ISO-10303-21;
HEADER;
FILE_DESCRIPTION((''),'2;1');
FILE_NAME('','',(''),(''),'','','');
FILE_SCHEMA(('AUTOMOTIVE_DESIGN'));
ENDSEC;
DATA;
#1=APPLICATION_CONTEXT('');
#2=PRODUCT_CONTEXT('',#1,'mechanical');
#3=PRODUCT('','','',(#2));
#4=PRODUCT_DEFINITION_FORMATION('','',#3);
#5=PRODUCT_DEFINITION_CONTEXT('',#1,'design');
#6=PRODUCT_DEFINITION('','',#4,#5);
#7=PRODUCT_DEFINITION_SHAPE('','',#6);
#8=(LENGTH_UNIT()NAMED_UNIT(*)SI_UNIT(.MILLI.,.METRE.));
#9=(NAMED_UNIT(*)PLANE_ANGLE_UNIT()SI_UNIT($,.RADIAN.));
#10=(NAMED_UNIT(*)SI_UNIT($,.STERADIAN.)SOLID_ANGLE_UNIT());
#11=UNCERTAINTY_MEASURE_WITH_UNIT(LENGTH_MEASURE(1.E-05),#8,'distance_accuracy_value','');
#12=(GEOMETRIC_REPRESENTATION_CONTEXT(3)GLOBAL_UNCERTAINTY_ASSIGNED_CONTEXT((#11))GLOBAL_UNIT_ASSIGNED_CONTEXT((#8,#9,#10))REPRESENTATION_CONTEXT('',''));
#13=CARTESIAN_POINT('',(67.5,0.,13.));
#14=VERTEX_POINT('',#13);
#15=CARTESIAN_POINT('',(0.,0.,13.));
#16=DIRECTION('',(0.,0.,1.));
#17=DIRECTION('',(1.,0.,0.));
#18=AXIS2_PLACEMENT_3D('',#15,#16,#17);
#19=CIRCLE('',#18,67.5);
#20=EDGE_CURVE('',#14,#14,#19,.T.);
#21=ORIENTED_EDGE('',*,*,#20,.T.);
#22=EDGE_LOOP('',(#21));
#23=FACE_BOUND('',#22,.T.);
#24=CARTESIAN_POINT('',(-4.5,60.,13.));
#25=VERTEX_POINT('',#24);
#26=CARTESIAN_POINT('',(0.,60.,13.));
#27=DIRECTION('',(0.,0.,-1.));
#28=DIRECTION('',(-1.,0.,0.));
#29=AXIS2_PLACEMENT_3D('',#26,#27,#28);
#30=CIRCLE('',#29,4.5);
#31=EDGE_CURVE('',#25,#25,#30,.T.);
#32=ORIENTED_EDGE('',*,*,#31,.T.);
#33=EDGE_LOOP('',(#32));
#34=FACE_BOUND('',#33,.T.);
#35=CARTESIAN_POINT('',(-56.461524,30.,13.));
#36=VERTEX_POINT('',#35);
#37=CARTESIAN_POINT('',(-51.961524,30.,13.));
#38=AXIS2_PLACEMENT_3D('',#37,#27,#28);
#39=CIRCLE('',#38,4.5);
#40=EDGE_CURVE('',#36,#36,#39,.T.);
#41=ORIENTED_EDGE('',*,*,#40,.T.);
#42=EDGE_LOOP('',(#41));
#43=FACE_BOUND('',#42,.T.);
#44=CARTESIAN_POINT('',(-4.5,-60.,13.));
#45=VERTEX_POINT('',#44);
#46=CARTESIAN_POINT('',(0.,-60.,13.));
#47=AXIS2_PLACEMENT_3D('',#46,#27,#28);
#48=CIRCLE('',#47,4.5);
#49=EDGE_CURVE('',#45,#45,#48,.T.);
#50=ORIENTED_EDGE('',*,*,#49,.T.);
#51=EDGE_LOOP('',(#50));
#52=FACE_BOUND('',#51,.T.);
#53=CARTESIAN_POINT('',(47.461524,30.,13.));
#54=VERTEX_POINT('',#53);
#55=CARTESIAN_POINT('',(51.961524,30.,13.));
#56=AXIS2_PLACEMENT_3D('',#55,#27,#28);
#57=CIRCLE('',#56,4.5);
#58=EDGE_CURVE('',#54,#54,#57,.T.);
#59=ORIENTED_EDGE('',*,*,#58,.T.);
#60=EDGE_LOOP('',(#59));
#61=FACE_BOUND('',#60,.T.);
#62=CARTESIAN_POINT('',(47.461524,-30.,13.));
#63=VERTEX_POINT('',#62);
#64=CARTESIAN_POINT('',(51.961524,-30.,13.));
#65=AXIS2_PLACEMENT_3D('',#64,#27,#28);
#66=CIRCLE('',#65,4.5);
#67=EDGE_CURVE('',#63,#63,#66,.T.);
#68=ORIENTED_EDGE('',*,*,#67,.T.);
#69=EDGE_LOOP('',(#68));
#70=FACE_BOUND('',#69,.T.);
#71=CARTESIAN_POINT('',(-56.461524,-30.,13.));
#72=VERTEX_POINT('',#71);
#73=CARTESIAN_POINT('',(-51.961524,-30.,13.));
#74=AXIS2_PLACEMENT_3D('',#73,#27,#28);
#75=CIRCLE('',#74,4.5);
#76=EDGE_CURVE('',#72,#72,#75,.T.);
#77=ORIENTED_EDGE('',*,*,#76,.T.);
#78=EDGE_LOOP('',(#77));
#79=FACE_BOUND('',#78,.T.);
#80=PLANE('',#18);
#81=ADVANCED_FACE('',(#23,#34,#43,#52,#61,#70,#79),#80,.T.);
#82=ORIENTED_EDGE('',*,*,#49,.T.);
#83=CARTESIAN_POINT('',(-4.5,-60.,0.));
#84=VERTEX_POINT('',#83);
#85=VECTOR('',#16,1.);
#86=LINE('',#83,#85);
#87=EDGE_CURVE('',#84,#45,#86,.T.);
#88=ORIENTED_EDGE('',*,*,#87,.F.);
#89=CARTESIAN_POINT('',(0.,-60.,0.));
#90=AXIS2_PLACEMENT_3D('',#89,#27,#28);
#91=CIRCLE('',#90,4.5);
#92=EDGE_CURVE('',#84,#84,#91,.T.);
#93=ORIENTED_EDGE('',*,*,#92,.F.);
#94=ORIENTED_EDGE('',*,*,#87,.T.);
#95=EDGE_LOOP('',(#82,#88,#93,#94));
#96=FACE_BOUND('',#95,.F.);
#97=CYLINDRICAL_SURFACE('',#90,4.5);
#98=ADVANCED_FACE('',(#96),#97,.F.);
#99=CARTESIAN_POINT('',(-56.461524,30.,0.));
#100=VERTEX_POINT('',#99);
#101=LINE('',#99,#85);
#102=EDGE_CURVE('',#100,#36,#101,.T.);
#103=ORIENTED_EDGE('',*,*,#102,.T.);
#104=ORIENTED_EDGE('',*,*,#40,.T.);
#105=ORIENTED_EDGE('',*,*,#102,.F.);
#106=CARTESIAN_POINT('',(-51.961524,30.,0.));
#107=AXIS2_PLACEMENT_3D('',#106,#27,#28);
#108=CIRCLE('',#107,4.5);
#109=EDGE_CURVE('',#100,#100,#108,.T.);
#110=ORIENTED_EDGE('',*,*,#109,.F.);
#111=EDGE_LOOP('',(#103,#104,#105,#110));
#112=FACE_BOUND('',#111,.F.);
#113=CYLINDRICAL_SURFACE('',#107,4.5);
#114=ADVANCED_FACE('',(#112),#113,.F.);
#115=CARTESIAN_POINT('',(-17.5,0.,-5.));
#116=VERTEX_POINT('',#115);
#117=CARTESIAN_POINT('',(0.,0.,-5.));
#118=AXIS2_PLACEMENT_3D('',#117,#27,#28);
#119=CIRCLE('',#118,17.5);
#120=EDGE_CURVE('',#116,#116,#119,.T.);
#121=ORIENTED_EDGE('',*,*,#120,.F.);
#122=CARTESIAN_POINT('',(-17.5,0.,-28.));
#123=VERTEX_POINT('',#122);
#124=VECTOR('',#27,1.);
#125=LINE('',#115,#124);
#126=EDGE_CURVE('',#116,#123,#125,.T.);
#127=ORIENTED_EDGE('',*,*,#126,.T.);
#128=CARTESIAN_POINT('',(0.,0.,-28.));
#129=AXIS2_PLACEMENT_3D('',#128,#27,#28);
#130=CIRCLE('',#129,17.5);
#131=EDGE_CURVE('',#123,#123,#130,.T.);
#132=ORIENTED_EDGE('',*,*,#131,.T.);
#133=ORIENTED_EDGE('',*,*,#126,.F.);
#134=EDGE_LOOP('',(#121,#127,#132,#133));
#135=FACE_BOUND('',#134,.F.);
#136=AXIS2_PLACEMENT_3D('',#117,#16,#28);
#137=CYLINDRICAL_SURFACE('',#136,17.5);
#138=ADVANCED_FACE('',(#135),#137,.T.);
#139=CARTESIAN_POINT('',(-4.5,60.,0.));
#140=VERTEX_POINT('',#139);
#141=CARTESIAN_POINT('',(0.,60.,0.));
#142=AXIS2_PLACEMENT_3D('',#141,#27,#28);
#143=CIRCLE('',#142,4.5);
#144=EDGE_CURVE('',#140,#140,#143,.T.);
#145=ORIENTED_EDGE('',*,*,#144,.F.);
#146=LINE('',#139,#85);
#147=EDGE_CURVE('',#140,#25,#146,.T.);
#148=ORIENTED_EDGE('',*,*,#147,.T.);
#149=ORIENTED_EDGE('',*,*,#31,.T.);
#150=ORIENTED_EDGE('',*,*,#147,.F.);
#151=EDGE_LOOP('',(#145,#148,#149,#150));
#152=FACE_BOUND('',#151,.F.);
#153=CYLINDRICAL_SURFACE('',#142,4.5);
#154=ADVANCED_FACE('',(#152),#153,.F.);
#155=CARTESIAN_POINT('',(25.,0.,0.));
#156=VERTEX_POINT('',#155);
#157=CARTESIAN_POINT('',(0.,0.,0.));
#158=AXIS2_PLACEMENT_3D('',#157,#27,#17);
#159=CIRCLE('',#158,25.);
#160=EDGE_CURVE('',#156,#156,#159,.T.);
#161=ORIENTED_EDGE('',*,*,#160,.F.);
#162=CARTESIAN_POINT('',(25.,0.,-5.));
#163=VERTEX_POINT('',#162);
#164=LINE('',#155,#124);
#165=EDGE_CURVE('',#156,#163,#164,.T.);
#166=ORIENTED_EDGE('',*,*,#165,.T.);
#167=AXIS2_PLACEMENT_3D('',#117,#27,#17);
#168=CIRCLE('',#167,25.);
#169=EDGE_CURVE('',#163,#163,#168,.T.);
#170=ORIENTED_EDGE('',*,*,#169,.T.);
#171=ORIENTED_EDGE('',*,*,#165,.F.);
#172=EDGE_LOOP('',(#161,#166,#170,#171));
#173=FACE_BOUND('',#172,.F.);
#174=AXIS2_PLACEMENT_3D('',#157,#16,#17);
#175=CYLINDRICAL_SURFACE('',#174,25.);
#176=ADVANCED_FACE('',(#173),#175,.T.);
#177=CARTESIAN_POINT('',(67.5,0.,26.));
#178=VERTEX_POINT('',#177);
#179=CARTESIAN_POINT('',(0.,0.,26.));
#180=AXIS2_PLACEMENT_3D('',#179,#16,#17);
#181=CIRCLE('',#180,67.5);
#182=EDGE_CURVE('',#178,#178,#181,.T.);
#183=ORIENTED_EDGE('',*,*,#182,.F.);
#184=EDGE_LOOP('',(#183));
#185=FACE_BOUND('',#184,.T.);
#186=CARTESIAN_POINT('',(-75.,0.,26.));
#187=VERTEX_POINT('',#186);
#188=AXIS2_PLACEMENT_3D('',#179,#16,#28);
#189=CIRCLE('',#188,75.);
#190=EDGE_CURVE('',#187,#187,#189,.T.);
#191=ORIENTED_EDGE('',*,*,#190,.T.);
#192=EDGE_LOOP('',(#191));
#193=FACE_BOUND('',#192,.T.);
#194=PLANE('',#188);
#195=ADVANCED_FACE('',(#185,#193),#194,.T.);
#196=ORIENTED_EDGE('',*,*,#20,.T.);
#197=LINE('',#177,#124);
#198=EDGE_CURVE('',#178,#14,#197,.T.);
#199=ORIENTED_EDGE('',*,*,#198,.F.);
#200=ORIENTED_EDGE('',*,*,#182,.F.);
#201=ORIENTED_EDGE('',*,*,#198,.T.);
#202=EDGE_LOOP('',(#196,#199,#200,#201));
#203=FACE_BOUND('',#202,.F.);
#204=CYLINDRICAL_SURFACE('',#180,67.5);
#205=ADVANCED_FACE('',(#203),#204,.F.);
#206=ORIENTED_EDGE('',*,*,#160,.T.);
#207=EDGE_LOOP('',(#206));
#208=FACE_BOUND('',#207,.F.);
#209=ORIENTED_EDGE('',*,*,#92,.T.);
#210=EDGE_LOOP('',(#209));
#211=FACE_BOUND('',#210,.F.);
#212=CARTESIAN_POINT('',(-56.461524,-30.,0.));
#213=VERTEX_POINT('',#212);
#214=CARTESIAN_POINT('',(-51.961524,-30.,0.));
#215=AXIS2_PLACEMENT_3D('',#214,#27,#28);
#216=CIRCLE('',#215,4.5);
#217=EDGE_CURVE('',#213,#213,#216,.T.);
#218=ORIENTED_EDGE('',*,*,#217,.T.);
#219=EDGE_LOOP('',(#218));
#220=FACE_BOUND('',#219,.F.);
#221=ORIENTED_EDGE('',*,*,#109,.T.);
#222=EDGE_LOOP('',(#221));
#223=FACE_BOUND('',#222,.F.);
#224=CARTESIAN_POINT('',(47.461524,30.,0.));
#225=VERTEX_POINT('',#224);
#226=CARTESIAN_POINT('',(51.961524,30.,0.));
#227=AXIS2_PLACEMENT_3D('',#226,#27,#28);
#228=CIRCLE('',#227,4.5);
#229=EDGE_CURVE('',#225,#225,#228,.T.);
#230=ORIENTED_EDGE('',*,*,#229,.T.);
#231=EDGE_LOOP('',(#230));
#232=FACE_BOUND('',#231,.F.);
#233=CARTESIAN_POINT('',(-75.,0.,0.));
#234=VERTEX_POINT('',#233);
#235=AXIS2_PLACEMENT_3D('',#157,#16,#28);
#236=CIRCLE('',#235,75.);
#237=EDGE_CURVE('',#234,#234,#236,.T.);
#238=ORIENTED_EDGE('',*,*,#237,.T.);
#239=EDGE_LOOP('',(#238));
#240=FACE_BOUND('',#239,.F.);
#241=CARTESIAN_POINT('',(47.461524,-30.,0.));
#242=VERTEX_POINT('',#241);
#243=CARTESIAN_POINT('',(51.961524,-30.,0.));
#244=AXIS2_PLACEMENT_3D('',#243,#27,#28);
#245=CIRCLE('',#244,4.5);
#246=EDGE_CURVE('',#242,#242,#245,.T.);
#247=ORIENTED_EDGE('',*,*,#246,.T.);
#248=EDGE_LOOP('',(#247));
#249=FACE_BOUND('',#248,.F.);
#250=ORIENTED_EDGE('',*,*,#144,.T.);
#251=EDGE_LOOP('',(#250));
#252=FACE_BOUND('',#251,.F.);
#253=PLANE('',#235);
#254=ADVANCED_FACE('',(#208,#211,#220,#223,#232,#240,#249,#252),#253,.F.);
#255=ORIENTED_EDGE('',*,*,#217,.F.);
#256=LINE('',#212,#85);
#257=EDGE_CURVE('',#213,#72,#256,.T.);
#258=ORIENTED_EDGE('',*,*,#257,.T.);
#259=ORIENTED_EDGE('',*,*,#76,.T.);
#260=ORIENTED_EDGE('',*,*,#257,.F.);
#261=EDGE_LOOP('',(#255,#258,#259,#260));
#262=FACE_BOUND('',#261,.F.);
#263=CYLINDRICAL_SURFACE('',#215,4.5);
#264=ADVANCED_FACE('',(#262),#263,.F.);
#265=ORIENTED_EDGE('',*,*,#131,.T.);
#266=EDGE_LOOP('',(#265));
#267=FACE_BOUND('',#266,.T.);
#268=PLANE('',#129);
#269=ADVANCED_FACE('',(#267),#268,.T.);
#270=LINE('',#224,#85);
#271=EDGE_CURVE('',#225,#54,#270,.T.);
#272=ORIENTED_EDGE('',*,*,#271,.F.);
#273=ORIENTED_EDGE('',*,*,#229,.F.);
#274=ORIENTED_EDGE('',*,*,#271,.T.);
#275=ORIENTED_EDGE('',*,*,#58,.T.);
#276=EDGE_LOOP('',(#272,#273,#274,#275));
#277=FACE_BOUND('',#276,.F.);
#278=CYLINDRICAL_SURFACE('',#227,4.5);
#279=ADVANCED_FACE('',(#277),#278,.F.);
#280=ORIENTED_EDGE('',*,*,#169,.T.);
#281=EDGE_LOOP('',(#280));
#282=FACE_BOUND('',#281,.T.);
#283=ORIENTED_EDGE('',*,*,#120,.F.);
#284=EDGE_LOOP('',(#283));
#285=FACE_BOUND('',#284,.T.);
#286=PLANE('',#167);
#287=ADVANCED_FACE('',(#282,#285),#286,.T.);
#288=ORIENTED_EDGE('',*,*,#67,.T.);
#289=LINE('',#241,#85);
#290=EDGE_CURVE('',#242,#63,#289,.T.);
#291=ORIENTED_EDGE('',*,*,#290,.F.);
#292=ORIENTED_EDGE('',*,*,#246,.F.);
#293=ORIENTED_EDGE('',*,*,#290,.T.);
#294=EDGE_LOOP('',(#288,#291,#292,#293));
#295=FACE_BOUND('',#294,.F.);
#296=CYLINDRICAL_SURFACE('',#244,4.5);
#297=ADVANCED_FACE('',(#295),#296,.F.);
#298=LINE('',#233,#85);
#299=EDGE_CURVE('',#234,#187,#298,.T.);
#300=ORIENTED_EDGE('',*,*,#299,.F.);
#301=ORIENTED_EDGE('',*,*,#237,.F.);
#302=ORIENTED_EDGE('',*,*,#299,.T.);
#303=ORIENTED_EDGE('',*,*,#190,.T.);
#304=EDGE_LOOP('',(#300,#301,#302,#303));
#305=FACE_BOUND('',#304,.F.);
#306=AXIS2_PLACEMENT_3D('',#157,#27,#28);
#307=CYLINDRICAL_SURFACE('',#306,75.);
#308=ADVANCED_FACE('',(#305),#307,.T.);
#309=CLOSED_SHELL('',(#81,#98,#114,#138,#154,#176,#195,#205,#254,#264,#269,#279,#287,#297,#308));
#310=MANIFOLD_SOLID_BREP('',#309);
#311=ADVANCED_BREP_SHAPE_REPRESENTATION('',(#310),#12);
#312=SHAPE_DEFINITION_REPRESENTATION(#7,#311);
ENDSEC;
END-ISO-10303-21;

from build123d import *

# Parameters (mm, degrees)
SKETCH_1_R          = 75
EXTRUDE_1_DEPTH     = 26
SKETCH_3_R          = 67.5
CUT_EXTRUDE_2_DEPTH = 13
SKETCH_4_R          = 4.5
CUT_EXTRUDE_3_DEPTH = 110.206226929
SKETCH_5_R          = 25
EXTRUDE_2_DEPTH     = 5
SKETCH_8_R          = 17.5
EXTRUDE_4_DEPTH     = 23


with BuildPart() as part:
    # 草图1 → 拉伸1 (new body)
    with BuildSketch(Plane.XY):
        with Locations(Location((0, 0, 0), (0, 0, 180))):
            Circle(SKETCH_1_R)
    extrude(amount=EXTRUDE_1_DEPTH)

    # 草图3 → 切除-拉伸2 (cut)
    with BuildSketch(Plane.XY.offset(26)):
        Circle(SKETCH_3_R)
    extrude(amount=-CUT_EXTRUDE_2_DEPTH, mode=Mode.SUBTRACT)

    # 草图4 → 切除-拉伸3 (cut, through all)
    with BuildSketch(Plane(origin=(0, 0, 0), x_dir=(-1, 0, 0), z_dir=(0, 0, -1))):
        with Locations((0, 60)):
            Circle(SKETCH_4_R)
        with Locations((51.961524227, 30)):
            Circle(SKETCH_4_R)
        with Locations((51.961524227, -30)):
            Circle(SKETCH_4_R)
        with Locations((0, -60)):
            Circle(SKETCH_4_R)
        with Locations((-51.961524227, -30)):
            Circle(SKETCH_4_R)
        with Locations((-51.961524227, 30)):
            Circle(SKETCH_4_R)
    extrude(amount=-CUT_EXTRUDE_3_DEPTH, mode=Mode.SUBTRACT)

    # 草图5 → 拉伸2 (add)
    with BuildSketch(Plane(origin=(0, 0, 0), x_dir=(-1, 0, 0), z_dir=(0, 0, -1))):
        with Locations(Location((0, 0, 0), (0, 0, 180))):
            Circle(SKETCH_5_R)
    extrude(amount=EXTRUDE_2_DEPTH)

    # 草图8 → 拉伸4 (add)
    with BuildSketch(Plane(origin=(0, 0, -5), x_dir=(-1, 0, 0), z_dir=(0, 0, -1))):
        Circle(SKETCH_8_R)
    extrude(amount=EXTRUDE_4_DEPTH)


solid = part.part
